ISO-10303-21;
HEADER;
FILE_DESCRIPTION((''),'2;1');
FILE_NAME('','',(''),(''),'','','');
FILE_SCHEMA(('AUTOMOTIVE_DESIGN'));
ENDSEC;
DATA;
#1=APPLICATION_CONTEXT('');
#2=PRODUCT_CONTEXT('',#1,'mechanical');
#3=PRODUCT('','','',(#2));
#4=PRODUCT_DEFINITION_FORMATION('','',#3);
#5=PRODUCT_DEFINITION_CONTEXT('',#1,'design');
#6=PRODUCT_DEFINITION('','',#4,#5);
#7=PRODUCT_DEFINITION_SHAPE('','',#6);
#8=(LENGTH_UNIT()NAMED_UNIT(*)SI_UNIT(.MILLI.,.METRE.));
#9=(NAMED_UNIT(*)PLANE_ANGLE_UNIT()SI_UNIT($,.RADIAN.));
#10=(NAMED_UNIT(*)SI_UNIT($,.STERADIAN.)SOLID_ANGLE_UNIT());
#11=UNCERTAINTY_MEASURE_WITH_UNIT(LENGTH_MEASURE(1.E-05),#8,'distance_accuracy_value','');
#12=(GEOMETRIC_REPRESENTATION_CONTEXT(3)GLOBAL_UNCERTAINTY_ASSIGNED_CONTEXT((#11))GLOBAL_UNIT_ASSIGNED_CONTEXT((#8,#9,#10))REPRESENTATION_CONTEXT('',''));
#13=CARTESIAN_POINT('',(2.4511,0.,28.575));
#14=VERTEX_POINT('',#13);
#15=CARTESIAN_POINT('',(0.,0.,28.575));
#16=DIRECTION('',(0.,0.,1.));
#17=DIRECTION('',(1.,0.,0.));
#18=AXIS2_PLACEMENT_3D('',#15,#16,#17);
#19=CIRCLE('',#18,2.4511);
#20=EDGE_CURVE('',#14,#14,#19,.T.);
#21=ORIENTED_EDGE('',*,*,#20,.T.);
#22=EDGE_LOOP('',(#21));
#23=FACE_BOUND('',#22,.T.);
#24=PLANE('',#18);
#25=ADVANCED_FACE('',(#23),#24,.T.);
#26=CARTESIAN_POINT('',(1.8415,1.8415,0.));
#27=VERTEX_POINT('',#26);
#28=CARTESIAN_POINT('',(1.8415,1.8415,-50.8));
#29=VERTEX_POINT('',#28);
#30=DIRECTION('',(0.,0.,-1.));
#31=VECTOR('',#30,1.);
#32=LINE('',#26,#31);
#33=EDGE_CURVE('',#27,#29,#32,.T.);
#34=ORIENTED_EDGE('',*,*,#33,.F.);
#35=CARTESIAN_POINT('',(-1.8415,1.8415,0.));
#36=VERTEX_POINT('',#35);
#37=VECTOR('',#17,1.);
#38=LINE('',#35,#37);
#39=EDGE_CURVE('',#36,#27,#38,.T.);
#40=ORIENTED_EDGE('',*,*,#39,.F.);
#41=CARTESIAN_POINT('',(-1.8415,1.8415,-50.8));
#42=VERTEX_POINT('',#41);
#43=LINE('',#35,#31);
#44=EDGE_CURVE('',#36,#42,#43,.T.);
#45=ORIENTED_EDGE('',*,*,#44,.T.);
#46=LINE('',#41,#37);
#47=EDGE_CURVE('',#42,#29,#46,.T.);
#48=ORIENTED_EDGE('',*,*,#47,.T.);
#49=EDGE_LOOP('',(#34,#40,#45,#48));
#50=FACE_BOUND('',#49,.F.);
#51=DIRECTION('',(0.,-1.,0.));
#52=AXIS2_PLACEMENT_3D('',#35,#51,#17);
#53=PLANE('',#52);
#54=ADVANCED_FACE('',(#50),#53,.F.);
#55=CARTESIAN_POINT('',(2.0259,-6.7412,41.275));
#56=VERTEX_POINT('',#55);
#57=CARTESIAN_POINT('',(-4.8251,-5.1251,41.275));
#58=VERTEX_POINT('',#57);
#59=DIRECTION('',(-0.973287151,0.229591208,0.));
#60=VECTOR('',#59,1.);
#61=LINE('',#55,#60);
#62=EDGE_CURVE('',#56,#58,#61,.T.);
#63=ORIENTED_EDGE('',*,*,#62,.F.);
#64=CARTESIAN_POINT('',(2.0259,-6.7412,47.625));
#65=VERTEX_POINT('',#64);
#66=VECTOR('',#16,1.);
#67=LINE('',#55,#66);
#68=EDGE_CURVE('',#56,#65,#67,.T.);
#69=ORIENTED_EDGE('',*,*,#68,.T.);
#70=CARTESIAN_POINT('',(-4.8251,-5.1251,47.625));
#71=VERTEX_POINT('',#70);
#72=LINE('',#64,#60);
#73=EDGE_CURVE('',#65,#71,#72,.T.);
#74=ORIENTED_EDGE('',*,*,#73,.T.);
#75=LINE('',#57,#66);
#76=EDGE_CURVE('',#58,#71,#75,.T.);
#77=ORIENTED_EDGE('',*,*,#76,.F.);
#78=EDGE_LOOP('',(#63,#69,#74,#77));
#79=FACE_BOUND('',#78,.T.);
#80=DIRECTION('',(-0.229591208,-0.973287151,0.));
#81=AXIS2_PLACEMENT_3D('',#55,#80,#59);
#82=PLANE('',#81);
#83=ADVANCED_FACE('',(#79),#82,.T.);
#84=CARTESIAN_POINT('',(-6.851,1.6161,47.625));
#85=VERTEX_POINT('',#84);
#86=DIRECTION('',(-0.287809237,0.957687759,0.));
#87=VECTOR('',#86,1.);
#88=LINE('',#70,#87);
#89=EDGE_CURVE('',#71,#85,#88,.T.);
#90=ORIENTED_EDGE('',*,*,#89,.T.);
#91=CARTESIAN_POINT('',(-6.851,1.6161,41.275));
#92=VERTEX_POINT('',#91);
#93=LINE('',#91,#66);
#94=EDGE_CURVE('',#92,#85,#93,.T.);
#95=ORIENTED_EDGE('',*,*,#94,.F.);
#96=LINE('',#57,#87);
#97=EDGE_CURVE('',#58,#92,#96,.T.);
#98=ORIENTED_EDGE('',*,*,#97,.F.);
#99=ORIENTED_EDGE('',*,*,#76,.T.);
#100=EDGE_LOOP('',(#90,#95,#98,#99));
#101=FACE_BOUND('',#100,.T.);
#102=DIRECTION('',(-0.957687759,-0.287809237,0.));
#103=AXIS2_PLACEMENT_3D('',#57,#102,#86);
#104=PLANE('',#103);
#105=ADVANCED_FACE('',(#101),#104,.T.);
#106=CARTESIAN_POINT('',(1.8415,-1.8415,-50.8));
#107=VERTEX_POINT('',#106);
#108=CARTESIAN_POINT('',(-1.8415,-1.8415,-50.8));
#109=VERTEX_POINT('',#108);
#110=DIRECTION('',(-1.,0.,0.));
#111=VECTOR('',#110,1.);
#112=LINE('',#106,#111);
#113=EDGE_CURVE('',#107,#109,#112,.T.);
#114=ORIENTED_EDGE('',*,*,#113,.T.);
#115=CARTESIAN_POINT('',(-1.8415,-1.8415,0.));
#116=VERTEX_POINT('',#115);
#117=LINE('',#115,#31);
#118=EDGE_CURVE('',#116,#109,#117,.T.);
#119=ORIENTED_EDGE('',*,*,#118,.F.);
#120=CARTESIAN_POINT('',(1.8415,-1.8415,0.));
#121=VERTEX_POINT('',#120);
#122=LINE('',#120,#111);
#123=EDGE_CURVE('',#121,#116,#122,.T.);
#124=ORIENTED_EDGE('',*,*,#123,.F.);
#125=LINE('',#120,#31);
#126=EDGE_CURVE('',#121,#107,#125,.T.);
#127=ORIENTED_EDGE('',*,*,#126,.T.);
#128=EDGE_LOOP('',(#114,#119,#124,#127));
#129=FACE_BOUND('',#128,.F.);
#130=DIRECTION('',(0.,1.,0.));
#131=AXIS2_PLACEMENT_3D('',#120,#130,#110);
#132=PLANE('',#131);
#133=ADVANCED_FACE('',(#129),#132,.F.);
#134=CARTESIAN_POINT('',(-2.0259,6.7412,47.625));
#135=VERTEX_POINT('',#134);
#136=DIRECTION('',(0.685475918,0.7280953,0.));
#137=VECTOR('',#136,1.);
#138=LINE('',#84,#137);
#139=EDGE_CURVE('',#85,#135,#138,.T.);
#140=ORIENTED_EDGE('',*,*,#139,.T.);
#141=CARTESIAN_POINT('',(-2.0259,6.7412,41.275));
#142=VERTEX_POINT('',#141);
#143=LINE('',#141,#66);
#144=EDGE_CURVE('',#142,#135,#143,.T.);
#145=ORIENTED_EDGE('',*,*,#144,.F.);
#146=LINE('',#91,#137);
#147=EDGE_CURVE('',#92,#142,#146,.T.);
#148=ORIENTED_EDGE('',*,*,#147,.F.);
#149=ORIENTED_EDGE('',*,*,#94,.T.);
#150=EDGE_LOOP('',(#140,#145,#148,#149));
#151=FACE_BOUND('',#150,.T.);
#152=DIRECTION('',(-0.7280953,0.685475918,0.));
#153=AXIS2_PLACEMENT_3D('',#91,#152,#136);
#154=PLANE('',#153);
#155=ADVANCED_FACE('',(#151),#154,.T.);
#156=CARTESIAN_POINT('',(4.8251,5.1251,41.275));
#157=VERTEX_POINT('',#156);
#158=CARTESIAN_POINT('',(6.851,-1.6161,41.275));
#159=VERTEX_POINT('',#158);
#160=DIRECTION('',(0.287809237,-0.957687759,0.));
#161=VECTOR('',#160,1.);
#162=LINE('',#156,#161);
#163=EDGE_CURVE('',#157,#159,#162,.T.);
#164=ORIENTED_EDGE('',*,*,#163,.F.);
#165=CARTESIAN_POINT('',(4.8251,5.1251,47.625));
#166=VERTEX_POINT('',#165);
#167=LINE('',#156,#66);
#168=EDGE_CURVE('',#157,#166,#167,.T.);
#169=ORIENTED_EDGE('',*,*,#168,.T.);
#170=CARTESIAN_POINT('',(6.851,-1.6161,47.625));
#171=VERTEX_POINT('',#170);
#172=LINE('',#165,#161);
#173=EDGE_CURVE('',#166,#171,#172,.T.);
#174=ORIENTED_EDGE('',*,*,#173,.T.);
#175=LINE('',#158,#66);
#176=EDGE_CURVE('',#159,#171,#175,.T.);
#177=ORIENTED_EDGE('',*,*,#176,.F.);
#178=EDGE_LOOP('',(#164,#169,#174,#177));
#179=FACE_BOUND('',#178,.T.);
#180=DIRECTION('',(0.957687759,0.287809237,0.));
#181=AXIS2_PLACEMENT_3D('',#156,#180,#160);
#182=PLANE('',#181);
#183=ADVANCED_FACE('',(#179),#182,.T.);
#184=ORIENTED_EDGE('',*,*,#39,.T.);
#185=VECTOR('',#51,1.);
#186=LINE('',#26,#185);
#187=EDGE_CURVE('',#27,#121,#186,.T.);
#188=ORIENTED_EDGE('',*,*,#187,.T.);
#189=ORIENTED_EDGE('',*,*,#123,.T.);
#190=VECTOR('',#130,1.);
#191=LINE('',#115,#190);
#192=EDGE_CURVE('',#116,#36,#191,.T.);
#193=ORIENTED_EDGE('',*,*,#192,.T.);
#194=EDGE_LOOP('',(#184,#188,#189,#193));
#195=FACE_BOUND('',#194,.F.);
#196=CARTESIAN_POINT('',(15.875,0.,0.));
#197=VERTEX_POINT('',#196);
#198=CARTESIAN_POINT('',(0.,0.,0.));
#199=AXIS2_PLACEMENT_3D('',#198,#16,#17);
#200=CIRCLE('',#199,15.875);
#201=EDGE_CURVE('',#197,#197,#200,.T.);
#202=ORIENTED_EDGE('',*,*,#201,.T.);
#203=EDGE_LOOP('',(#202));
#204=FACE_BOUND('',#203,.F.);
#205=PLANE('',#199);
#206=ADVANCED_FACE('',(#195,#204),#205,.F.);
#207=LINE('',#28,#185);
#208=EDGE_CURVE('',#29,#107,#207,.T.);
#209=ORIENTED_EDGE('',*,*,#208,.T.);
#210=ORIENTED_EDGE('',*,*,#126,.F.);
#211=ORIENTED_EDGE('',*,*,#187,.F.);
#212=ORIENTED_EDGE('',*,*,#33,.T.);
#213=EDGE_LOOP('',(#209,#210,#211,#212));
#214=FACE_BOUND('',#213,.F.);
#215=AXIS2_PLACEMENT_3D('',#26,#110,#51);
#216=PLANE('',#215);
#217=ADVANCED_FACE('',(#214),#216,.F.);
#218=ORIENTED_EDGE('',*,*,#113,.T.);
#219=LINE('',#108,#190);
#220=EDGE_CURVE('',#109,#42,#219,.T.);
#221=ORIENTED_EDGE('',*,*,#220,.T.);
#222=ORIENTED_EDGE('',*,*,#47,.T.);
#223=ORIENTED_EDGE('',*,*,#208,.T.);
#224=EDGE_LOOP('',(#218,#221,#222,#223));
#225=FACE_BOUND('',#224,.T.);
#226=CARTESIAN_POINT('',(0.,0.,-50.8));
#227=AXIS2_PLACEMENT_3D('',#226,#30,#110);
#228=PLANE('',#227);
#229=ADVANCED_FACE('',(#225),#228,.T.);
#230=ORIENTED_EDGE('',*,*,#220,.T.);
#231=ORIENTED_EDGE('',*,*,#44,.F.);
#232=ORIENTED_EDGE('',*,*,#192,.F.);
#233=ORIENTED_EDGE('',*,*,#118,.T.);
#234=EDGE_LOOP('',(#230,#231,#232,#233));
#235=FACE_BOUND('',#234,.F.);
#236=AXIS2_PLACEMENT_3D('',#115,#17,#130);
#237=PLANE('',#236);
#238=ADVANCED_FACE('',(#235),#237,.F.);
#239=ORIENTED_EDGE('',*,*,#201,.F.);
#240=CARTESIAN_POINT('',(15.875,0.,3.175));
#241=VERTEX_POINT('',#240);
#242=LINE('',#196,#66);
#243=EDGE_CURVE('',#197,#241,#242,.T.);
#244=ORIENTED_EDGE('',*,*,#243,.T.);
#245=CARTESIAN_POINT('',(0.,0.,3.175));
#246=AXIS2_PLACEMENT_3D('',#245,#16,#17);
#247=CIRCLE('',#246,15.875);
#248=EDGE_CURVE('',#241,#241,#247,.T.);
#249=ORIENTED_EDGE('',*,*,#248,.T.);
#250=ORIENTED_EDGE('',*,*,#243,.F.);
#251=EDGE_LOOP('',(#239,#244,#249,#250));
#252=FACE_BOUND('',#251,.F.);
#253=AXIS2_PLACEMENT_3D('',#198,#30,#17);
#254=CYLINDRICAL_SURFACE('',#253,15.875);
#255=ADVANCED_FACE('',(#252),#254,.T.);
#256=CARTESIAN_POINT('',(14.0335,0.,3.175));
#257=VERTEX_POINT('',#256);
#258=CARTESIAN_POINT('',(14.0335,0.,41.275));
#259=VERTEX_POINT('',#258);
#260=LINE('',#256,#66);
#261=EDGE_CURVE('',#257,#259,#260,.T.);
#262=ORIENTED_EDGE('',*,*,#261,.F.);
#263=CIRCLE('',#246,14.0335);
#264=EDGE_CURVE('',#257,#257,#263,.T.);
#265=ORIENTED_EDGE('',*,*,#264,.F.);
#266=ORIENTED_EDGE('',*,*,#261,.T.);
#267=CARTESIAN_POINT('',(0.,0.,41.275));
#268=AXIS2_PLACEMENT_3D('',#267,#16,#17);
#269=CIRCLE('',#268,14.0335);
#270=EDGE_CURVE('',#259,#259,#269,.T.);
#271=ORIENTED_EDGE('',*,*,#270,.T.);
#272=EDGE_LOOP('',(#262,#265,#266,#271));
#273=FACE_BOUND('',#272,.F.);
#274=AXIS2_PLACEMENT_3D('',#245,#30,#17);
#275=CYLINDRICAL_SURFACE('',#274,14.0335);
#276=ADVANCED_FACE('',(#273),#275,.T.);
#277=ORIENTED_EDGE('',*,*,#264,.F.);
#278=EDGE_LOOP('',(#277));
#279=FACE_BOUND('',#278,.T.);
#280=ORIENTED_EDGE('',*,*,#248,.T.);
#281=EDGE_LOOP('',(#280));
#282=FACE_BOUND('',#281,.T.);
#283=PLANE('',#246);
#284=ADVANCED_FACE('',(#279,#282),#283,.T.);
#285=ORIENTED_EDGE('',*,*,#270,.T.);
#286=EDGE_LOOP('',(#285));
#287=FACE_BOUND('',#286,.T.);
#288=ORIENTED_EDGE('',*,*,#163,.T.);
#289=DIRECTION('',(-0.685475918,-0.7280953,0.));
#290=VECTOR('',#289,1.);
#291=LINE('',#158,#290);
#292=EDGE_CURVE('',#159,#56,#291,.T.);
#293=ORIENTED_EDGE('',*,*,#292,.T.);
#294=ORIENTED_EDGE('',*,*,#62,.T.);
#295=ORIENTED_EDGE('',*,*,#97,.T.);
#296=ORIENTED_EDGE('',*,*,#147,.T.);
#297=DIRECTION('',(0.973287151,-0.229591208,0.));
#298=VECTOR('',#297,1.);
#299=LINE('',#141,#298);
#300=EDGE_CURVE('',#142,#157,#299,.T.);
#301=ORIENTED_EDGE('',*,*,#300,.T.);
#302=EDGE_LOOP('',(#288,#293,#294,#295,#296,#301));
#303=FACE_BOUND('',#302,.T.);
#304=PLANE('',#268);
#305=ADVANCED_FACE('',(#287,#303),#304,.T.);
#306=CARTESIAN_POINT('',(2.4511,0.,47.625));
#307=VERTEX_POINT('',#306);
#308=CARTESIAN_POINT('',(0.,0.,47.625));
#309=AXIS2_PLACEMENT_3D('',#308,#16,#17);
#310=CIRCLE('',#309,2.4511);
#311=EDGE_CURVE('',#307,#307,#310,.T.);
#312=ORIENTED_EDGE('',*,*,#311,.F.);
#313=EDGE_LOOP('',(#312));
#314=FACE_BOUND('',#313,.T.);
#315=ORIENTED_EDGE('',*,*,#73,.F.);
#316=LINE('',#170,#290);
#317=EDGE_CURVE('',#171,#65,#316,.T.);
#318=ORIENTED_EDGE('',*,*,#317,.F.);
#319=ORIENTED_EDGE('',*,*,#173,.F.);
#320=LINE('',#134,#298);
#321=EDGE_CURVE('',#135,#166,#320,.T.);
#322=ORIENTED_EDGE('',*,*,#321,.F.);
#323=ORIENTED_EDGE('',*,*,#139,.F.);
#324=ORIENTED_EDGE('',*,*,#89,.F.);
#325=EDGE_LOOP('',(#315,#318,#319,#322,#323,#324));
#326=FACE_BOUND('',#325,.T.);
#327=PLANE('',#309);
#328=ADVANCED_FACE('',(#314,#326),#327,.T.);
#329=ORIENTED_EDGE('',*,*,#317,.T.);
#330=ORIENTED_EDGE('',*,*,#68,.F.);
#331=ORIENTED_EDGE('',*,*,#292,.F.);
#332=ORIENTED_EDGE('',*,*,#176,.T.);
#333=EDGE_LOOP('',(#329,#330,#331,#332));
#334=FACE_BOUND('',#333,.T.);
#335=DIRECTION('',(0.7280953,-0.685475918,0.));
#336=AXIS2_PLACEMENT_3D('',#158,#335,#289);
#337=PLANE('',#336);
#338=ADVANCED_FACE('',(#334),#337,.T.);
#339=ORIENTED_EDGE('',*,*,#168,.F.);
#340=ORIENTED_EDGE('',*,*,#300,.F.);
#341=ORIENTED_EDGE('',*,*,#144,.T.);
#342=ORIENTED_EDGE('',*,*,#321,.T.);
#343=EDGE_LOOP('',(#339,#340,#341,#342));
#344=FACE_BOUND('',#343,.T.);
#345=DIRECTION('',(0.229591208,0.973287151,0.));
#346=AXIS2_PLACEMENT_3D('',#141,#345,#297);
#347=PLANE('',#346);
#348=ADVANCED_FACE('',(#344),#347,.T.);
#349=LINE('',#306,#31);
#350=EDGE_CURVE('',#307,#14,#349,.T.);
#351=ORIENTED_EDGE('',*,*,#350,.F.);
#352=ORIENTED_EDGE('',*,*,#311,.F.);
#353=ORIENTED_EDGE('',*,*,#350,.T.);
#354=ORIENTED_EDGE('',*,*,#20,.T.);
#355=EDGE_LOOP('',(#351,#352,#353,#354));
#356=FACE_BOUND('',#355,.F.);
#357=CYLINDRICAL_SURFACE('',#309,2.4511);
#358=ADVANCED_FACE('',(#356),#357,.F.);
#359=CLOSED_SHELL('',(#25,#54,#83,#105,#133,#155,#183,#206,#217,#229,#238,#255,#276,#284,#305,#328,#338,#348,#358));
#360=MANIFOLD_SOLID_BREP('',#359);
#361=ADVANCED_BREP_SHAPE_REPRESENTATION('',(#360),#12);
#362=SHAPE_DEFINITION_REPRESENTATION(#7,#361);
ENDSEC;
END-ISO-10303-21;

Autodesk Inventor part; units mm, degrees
ref_plane "YZ Plane" through (0, 0, 0) normal (1, 0, 0) x (0, 1, 0)
ref_plane "XZ Plane" through (0, 0, 0) normal (0, 1, 0) x (-1, 0, 0)
ref_plane "XY Plane" through (0, 0, 0) normal (0, 0, 1) x (1, 0, 0)
sketch "Sketch1" plane through (0, 0, 0) normal (0, 0, 1) x (1, 0, 0)
  circle A0 centre (0, 0) radius 15.875
  dimension "d0" = 31.75
extrude "Extrusion1" add sketch "Sketch1" along normal blind 3.175
sketch "Sketch2" plane through (0, 0, 3.175) normal (0, 0, 1) x (1, 0, 0)
  circle A0 centre (0, 0) radius 14.0335
  dimension "d3" = 28.067
extrude "Extrusion2" add sketch "Sketch2" along normal blind 38.1
sketch "Sketch3" plane through (0, 0, 41.275) normal (0, 0, 1) x (1, 0, 0)
  line L0 (6.851, -1.6161) -> (2.0259, -6.7412)
  line L1 (2.0259, -6.7412) -> (-4.8251, -5.1251)
  line L2 (-4.8251, -5.1251) -> (-6.851, 1.6161)
  line L3 (-6.851, 1.6161) -> (-2.0259, 6.7412)
  line L4 (-2.0259, 6.7412) -> (4.8251, 5.1251)
  line L5 (4.8251, 5.1251) -> (6.851, -1.6161)
  point P0 (0, 0)
  point P1 (0, 0)
  dimension "d6" = 12.192
extrude "Extrusion3" add sketch "Sketch3" along normal blind 6.35
sketch "Sketch4" plane through (0, 0, 47.625) normal (0, 0, 1) x (1, 0, 0)
  circle A0 centre (0, 0) radius 2.4511
  dimension "d9" = 4.9022
extrude "Extrusion4" cut sketch "Sketch4" against normal blind 19.05
sketch "Sketch5" plane through (0, 0, 0) normal (0, 0, -1) x (-1, 0, 0)
  line L0 (1.8415, 1.8415) -> (-1.8415, 1.8415)
  line L1 (-1.8415, 1.8415) -> (-1.8415, -1.8415)
  line L2 (-1.8415, -1.8415) -> (1.8415, -1.8415)
  line L3 (1.8415, -1.8415) -> (1.8415, 1.8415)
  point P0 (0, 0)
  point P1 (0, -1.8415)
  point P2 (1.8415, 0)
  dimension "d12" = 3.683
extrude "Extrusion5" add sketch "Sketch5" along normal blind 50.8
sketch "Sketch6" plane through (0, 0, 0) normal (0, 0, -1) x (-1, 0, 0)
  point P0 (0, 0)
properties part number "drive shaft"
